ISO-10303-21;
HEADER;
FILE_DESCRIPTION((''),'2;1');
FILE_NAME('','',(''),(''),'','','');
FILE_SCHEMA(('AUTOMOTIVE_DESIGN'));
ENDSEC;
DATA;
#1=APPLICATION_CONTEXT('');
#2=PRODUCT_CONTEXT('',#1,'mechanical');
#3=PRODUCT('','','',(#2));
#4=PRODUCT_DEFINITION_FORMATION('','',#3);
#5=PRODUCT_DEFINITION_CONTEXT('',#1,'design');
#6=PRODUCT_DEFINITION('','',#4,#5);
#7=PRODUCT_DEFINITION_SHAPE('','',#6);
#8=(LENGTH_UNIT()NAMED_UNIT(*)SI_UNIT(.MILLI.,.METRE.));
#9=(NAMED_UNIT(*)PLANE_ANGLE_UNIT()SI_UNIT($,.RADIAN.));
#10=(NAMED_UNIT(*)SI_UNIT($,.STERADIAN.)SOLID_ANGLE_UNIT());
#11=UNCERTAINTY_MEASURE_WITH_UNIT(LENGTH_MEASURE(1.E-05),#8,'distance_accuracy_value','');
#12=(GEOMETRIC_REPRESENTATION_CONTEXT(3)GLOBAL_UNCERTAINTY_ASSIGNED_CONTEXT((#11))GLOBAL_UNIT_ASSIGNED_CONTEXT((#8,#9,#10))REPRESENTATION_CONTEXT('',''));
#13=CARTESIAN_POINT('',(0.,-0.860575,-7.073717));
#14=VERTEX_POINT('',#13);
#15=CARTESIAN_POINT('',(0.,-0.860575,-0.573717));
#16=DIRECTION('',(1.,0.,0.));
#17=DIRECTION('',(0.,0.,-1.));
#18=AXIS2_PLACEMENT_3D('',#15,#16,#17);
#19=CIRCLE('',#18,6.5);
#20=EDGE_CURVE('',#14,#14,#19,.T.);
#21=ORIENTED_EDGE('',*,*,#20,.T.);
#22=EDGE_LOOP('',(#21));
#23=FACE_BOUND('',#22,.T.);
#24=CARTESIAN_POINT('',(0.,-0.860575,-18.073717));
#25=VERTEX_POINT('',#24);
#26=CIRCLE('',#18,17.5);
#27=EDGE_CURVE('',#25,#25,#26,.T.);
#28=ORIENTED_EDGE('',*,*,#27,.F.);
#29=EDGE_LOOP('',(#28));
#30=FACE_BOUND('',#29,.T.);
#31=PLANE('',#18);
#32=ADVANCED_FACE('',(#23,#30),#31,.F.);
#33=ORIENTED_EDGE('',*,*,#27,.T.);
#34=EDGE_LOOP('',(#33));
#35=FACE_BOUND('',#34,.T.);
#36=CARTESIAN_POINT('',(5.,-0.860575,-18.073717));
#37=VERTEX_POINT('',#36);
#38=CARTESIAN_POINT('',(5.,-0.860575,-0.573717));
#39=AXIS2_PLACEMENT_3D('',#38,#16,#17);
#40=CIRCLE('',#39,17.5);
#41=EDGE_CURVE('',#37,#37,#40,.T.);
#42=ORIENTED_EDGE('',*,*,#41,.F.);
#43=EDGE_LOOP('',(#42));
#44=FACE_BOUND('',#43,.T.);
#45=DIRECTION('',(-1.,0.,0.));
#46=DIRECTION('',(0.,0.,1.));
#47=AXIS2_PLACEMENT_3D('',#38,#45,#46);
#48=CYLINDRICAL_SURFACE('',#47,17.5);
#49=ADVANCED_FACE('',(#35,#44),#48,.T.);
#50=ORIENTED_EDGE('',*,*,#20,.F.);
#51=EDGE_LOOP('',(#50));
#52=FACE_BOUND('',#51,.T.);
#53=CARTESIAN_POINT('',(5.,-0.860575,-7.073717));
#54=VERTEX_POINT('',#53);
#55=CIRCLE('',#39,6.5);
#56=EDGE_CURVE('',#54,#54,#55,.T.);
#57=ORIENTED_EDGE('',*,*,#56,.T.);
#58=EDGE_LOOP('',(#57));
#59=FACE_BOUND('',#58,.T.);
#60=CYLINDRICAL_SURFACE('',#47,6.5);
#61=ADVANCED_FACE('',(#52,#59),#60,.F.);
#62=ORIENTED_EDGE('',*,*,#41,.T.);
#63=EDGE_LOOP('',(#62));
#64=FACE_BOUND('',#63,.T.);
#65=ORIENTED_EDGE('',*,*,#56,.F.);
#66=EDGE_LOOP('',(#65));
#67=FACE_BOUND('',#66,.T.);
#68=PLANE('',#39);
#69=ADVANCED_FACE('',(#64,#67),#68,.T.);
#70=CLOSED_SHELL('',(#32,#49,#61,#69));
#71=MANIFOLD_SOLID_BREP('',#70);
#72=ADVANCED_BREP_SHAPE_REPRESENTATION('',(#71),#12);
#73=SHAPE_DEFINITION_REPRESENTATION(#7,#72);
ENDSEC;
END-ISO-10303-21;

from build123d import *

# Parameters (mm, degrees)
SKETCH1_R          = 17.5
SKETCH1_R_2        = 6.5
BASE_EXTRUDE_DEPTH = 5


with BuildPart() as part:
    # Sketch1 → Base-Extrude (new body)
    with BuildSketch(Plane(origin=(0, 0, 0), x_dir=(0, 0, -1), z_dir=(1, 0, 0))):
        with Locations((0.573716632, -0.860574949)):
            Circle(SKETCH1_R)
        with Locations((0.573716632, -0.860574949)):
            Circle(SKETCH1_R_2, mode=Mode.SUBTRACT)
    extrude(amount=BASE_EXTRUDE_DEPTH)


solid = part.part
